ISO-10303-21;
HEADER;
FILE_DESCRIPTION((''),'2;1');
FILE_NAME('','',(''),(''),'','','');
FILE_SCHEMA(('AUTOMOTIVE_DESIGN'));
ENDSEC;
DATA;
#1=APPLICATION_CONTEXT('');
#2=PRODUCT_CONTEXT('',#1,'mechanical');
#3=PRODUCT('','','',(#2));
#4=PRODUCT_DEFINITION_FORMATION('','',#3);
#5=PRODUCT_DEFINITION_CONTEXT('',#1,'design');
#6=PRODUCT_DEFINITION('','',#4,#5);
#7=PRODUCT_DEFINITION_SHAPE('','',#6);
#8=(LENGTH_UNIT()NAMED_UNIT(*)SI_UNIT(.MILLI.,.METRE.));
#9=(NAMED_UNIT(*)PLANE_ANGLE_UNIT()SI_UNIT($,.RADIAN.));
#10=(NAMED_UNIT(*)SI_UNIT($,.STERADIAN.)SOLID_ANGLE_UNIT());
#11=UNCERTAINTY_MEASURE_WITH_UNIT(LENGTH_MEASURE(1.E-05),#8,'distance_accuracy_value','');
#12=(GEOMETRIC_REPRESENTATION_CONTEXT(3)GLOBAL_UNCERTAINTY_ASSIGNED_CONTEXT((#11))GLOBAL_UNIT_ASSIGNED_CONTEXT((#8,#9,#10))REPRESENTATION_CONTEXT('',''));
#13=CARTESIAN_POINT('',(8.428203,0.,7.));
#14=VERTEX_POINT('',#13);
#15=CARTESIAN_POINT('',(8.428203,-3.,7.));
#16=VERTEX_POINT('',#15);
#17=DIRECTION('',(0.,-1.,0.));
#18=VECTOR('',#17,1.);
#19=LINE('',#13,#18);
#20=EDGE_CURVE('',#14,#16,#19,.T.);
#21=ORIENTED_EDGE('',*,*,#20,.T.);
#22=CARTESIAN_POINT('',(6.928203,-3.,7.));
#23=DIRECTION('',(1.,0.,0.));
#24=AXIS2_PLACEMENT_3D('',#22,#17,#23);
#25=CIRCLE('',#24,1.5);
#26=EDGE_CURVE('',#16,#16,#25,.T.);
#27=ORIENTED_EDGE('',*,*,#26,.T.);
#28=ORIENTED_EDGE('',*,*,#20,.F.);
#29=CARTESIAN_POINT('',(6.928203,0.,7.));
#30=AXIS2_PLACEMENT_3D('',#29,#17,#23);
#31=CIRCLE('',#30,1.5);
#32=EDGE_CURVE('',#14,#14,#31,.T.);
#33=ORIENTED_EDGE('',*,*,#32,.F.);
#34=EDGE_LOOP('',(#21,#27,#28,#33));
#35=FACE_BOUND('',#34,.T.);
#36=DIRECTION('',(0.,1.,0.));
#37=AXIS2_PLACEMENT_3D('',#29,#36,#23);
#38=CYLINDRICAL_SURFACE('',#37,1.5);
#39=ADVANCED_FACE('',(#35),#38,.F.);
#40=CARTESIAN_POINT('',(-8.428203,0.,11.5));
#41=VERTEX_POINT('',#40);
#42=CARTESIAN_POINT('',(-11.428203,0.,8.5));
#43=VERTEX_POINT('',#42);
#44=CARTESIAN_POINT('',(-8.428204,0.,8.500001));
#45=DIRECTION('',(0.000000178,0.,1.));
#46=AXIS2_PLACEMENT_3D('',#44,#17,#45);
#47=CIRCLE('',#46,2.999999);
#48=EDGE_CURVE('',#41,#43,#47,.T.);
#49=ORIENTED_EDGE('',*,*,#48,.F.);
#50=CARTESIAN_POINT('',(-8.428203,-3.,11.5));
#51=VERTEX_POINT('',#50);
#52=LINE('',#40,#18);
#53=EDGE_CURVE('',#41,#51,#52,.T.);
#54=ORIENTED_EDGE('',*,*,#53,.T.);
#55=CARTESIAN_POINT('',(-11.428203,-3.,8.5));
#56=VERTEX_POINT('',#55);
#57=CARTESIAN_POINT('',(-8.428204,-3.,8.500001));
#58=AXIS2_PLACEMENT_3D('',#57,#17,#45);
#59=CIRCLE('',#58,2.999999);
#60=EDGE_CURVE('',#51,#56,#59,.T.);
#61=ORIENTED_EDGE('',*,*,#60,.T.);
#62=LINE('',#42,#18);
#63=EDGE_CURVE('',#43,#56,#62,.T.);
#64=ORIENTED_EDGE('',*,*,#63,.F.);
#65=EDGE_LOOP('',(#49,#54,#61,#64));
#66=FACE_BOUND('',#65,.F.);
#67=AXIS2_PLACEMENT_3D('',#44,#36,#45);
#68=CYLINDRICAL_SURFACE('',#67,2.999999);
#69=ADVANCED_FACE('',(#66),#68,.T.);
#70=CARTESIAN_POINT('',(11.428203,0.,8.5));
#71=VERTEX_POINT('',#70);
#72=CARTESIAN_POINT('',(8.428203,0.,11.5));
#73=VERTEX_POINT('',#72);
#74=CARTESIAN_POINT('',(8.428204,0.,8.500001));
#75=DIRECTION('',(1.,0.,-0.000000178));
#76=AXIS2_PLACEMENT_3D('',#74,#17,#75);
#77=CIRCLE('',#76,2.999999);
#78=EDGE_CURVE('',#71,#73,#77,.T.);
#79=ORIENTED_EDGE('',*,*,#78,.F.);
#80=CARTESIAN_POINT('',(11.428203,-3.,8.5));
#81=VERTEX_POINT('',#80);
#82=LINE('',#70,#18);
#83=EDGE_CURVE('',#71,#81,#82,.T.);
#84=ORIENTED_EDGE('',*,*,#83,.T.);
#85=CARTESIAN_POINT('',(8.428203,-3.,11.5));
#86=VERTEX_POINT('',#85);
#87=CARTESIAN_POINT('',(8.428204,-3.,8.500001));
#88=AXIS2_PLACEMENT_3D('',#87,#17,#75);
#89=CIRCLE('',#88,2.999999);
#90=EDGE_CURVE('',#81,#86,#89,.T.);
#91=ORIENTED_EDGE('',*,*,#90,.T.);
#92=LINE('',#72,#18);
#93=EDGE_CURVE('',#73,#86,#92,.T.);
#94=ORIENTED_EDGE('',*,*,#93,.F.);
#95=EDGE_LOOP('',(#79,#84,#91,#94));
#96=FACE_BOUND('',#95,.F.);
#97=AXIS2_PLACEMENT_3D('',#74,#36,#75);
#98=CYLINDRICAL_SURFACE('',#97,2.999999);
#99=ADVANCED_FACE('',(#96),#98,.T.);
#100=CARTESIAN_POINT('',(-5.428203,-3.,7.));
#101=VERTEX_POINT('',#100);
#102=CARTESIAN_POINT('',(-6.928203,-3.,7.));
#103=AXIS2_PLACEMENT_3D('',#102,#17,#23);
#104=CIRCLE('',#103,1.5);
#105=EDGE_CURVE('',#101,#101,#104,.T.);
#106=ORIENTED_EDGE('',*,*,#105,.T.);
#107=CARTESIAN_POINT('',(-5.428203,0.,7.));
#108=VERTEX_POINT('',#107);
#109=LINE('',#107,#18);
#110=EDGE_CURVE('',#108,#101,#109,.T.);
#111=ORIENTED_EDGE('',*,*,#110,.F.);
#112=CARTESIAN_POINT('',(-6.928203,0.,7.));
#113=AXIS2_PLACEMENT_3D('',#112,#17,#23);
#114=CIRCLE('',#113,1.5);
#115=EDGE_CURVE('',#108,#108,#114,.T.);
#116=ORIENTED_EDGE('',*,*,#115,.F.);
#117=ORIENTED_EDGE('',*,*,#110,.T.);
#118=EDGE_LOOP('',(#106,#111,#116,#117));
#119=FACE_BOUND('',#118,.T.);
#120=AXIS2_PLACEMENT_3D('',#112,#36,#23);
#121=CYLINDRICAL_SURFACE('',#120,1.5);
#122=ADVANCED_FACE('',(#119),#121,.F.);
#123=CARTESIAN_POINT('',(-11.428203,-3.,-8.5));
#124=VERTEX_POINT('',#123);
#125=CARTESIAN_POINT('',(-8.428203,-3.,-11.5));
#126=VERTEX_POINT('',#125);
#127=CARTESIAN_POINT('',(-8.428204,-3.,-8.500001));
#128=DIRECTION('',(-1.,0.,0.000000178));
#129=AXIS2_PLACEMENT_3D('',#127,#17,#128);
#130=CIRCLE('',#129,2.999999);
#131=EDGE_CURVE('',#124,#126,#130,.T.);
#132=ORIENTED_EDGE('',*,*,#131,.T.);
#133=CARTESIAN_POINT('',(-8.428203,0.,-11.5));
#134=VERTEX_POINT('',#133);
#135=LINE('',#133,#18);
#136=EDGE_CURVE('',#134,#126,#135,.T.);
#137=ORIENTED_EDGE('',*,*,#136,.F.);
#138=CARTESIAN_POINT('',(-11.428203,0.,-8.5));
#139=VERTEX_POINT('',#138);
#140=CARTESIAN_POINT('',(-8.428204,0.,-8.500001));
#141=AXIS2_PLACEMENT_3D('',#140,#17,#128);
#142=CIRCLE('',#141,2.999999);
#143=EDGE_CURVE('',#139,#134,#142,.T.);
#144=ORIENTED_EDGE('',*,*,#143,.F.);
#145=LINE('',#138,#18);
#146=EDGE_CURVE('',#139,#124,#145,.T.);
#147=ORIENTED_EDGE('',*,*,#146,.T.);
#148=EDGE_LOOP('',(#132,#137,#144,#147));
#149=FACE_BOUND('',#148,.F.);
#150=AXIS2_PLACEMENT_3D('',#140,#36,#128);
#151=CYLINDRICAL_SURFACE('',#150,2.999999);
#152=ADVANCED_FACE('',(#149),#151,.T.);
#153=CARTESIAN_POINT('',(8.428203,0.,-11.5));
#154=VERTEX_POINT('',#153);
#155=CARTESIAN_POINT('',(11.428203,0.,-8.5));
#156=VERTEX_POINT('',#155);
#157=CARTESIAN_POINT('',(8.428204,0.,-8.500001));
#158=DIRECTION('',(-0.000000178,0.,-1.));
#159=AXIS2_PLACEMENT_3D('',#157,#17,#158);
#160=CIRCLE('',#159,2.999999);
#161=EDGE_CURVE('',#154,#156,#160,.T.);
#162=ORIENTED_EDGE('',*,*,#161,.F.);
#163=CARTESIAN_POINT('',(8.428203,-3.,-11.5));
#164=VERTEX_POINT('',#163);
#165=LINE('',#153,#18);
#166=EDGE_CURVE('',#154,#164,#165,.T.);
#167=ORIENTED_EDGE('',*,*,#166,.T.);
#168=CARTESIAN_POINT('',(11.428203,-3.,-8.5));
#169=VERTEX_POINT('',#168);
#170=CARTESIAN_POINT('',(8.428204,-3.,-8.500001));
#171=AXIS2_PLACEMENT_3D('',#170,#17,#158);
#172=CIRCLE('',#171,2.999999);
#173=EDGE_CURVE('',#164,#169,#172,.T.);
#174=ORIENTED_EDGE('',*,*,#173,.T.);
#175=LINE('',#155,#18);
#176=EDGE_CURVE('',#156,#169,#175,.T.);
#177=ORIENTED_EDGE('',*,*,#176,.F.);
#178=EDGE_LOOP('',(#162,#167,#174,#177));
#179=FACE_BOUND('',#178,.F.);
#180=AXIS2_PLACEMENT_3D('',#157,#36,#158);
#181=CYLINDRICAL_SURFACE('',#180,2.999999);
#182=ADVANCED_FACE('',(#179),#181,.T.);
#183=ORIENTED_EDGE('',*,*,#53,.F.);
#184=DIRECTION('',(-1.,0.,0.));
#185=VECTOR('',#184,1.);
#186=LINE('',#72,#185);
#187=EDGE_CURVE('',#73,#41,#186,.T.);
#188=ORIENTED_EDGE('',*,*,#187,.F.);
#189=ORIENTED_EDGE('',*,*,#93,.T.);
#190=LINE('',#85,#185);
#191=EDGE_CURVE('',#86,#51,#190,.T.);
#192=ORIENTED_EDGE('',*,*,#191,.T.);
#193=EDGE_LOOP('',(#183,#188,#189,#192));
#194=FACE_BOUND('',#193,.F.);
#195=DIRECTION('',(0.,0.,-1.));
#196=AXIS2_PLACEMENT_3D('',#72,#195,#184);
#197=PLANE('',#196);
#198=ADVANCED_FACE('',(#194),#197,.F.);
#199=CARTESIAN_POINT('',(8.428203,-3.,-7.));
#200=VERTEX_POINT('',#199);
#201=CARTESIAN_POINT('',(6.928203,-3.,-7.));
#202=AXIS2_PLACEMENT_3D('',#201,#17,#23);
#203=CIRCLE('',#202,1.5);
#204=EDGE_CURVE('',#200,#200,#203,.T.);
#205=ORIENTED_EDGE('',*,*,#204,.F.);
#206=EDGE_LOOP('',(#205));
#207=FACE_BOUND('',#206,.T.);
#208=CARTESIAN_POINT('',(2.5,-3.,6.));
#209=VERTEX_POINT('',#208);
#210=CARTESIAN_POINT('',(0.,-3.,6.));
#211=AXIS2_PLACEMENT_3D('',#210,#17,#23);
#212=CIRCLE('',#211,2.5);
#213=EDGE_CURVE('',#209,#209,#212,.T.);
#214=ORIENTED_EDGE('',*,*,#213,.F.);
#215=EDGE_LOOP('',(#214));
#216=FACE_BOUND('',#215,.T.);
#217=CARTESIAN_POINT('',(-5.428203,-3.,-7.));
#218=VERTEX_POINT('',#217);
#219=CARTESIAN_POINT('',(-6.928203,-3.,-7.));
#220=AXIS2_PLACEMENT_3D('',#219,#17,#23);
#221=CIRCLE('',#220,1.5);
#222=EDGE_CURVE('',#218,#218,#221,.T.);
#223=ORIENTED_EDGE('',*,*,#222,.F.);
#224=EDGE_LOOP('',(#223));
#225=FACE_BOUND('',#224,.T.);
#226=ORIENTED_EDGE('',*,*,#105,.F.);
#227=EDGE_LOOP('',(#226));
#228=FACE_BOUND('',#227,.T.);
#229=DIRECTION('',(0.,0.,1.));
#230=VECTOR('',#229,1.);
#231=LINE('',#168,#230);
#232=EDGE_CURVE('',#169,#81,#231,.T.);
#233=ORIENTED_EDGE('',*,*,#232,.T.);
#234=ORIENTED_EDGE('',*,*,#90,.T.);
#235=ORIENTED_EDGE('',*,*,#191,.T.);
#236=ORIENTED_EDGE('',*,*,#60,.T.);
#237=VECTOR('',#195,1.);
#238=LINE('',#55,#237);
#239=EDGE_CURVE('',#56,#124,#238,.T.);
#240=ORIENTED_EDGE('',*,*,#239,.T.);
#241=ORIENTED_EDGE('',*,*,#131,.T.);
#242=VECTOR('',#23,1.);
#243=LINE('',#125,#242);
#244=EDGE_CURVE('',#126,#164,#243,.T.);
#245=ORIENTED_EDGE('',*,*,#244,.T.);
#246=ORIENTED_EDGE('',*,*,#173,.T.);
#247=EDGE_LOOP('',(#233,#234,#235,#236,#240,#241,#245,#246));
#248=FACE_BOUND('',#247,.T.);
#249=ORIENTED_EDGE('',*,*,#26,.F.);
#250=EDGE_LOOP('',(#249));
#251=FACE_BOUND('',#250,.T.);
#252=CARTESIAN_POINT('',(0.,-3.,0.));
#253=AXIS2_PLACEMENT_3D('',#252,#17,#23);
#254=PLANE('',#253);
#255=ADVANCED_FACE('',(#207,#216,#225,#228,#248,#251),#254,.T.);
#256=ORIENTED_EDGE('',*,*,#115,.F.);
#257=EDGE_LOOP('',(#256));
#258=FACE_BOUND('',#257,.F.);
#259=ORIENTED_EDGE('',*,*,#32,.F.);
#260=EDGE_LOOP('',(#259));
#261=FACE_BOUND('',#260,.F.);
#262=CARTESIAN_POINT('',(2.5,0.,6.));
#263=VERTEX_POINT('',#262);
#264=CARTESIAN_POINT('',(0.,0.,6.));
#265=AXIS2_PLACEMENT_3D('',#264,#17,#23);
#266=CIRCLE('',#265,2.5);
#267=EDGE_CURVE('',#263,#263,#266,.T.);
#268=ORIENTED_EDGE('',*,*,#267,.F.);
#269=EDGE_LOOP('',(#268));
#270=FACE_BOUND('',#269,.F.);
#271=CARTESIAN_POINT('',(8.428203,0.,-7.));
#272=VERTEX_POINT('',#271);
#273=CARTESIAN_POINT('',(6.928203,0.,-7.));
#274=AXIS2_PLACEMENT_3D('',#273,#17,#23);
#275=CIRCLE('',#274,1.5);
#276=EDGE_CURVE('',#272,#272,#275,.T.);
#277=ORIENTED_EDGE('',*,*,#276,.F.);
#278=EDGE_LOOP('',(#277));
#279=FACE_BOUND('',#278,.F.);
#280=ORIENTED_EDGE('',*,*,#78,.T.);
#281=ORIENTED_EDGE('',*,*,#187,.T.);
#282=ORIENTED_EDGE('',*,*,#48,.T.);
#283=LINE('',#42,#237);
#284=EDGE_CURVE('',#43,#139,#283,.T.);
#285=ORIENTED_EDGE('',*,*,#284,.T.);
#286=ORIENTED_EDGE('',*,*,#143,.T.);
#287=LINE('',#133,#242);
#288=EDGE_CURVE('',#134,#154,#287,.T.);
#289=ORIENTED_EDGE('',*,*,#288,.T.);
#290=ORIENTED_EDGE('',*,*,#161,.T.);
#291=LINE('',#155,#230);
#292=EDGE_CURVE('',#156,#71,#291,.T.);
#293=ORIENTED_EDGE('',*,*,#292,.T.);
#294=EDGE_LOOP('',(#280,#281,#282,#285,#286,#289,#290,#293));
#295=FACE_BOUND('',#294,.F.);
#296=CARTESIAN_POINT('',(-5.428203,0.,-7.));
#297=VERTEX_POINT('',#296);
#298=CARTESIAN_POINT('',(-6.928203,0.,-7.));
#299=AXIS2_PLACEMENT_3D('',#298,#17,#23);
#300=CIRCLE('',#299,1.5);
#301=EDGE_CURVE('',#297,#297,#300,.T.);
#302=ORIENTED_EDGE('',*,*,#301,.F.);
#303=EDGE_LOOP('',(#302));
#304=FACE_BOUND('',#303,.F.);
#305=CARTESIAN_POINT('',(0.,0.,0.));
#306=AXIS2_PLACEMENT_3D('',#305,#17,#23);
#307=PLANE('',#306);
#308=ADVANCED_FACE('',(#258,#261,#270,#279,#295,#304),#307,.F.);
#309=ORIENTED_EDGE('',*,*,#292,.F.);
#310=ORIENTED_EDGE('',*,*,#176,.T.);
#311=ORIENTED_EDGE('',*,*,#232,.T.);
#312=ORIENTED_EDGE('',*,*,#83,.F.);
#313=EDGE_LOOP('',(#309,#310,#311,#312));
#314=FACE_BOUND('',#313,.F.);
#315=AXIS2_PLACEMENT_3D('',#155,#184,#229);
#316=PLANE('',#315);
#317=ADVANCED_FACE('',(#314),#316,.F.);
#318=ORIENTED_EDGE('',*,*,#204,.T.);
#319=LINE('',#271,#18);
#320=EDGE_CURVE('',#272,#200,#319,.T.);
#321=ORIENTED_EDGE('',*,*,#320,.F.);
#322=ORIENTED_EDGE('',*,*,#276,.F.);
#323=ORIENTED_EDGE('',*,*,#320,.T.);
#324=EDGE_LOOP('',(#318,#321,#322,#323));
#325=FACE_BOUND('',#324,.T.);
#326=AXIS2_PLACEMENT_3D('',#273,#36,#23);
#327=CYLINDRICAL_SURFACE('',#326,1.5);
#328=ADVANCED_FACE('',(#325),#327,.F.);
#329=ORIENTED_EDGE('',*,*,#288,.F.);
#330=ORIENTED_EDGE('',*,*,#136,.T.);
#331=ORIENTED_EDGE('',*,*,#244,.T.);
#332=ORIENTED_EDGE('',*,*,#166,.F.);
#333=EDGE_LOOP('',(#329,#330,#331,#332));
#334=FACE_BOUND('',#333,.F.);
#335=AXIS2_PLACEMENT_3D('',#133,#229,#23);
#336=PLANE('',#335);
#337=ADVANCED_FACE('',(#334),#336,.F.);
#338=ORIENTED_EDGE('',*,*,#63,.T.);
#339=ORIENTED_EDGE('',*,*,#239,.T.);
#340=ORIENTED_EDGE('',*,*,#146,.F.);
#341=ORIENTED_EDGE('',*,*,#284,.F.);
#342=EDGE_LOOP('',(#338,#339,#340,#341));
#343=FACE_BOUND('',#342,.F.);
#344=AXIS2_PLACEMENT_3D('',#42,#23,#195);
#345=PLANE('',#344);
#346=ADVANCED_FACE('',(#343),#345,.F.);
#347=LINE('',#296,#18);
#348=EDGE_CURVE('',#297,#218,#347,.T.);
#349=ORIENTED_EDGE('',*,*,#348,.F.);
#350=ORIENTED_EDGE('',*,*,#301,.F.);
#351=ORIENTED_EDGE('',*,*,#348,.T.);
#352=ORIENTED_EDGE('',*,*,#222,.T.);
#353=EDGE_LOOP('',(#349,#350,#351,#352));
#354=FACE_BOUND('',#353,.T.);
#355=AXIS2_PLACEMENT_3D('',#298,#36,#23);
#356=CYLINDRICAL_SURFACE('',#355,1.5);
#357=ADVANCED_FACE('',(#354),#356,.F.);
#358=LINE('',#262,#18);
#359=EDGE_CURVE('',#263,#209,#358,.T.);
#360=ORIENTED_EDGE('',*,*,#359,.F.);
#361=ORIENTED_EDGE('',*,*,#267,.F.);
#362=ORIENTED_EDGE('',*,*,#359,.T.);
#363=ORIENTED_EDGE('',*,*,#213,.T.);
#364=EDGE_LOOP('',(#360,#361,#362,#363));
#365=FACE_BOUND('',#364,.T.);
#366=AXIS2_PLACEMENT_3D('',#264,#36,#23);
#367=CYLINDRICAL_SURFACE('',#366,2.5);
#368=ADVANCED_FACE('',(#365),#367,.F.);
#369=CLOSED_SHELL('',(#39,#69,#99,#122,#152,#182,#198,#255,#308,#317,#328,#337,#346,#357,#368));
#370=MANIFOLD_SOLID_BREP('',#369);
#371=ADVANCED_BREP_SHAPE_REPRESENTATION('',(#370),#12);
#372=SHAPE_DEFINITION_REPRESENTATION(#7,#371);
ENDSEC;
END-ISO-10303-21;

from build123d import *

# Parameters (mm, degrees)
F0_R     = 1.5
F0_R_2   = 2.5
F1_DEPTH = 3


with BuildPart() as f1:
    # F0 (on Front) → F1 (new body)
    with BuildSketch(Plane.XZ):
        with BuildLine():
            ThreePointArc((-11.428203, -8.5), (-10.549524, -10.62132), (-8.428203, -11.5))
            Line((-8.428203, -11.5), (8.428203, -11.5))
            ThreePointArc((8.428203, -11.5), (10.549524, -10.62132), (11.428203, -8.5))
            Line((11.428203, -8.5), (11.428203, 8.5))
            ThreePointArc((11.428203, 8.5), (10.549524, 10.62132), (8.428203, 11.5))
            Line((8.428203, 11.5), (-8.428203, 11.5))
            ThreePointArc((-8.428203, 11.5), (-10.549524, 10.62132), (-11.428203, 8.5))
            Line((-11.428203, 8.5), (-11.428203, -8.5))
        make_face()
        with Locations((-6.928203, -7)):
            Circle(F0_R, mode=Mode.SUBTRACT)
        with Locations((6.928203, -7)):
            Circle(F0_R, mode=Mode.SUBTRACT)
        with Locations((-6.928203, 7)):
            Circle(F0_R, mode=Mode.SUBTRACT)
        with Locations((0, 6)):
            Circle(F0_R_2, mode=Mode.SUBTRACT)
        with Locations((6.928203, 7)):
            Circle(F0_R, mode=Mode.SUBTRACT)
    extrude(amount=F1_DEPTH)


solid = f1.part
